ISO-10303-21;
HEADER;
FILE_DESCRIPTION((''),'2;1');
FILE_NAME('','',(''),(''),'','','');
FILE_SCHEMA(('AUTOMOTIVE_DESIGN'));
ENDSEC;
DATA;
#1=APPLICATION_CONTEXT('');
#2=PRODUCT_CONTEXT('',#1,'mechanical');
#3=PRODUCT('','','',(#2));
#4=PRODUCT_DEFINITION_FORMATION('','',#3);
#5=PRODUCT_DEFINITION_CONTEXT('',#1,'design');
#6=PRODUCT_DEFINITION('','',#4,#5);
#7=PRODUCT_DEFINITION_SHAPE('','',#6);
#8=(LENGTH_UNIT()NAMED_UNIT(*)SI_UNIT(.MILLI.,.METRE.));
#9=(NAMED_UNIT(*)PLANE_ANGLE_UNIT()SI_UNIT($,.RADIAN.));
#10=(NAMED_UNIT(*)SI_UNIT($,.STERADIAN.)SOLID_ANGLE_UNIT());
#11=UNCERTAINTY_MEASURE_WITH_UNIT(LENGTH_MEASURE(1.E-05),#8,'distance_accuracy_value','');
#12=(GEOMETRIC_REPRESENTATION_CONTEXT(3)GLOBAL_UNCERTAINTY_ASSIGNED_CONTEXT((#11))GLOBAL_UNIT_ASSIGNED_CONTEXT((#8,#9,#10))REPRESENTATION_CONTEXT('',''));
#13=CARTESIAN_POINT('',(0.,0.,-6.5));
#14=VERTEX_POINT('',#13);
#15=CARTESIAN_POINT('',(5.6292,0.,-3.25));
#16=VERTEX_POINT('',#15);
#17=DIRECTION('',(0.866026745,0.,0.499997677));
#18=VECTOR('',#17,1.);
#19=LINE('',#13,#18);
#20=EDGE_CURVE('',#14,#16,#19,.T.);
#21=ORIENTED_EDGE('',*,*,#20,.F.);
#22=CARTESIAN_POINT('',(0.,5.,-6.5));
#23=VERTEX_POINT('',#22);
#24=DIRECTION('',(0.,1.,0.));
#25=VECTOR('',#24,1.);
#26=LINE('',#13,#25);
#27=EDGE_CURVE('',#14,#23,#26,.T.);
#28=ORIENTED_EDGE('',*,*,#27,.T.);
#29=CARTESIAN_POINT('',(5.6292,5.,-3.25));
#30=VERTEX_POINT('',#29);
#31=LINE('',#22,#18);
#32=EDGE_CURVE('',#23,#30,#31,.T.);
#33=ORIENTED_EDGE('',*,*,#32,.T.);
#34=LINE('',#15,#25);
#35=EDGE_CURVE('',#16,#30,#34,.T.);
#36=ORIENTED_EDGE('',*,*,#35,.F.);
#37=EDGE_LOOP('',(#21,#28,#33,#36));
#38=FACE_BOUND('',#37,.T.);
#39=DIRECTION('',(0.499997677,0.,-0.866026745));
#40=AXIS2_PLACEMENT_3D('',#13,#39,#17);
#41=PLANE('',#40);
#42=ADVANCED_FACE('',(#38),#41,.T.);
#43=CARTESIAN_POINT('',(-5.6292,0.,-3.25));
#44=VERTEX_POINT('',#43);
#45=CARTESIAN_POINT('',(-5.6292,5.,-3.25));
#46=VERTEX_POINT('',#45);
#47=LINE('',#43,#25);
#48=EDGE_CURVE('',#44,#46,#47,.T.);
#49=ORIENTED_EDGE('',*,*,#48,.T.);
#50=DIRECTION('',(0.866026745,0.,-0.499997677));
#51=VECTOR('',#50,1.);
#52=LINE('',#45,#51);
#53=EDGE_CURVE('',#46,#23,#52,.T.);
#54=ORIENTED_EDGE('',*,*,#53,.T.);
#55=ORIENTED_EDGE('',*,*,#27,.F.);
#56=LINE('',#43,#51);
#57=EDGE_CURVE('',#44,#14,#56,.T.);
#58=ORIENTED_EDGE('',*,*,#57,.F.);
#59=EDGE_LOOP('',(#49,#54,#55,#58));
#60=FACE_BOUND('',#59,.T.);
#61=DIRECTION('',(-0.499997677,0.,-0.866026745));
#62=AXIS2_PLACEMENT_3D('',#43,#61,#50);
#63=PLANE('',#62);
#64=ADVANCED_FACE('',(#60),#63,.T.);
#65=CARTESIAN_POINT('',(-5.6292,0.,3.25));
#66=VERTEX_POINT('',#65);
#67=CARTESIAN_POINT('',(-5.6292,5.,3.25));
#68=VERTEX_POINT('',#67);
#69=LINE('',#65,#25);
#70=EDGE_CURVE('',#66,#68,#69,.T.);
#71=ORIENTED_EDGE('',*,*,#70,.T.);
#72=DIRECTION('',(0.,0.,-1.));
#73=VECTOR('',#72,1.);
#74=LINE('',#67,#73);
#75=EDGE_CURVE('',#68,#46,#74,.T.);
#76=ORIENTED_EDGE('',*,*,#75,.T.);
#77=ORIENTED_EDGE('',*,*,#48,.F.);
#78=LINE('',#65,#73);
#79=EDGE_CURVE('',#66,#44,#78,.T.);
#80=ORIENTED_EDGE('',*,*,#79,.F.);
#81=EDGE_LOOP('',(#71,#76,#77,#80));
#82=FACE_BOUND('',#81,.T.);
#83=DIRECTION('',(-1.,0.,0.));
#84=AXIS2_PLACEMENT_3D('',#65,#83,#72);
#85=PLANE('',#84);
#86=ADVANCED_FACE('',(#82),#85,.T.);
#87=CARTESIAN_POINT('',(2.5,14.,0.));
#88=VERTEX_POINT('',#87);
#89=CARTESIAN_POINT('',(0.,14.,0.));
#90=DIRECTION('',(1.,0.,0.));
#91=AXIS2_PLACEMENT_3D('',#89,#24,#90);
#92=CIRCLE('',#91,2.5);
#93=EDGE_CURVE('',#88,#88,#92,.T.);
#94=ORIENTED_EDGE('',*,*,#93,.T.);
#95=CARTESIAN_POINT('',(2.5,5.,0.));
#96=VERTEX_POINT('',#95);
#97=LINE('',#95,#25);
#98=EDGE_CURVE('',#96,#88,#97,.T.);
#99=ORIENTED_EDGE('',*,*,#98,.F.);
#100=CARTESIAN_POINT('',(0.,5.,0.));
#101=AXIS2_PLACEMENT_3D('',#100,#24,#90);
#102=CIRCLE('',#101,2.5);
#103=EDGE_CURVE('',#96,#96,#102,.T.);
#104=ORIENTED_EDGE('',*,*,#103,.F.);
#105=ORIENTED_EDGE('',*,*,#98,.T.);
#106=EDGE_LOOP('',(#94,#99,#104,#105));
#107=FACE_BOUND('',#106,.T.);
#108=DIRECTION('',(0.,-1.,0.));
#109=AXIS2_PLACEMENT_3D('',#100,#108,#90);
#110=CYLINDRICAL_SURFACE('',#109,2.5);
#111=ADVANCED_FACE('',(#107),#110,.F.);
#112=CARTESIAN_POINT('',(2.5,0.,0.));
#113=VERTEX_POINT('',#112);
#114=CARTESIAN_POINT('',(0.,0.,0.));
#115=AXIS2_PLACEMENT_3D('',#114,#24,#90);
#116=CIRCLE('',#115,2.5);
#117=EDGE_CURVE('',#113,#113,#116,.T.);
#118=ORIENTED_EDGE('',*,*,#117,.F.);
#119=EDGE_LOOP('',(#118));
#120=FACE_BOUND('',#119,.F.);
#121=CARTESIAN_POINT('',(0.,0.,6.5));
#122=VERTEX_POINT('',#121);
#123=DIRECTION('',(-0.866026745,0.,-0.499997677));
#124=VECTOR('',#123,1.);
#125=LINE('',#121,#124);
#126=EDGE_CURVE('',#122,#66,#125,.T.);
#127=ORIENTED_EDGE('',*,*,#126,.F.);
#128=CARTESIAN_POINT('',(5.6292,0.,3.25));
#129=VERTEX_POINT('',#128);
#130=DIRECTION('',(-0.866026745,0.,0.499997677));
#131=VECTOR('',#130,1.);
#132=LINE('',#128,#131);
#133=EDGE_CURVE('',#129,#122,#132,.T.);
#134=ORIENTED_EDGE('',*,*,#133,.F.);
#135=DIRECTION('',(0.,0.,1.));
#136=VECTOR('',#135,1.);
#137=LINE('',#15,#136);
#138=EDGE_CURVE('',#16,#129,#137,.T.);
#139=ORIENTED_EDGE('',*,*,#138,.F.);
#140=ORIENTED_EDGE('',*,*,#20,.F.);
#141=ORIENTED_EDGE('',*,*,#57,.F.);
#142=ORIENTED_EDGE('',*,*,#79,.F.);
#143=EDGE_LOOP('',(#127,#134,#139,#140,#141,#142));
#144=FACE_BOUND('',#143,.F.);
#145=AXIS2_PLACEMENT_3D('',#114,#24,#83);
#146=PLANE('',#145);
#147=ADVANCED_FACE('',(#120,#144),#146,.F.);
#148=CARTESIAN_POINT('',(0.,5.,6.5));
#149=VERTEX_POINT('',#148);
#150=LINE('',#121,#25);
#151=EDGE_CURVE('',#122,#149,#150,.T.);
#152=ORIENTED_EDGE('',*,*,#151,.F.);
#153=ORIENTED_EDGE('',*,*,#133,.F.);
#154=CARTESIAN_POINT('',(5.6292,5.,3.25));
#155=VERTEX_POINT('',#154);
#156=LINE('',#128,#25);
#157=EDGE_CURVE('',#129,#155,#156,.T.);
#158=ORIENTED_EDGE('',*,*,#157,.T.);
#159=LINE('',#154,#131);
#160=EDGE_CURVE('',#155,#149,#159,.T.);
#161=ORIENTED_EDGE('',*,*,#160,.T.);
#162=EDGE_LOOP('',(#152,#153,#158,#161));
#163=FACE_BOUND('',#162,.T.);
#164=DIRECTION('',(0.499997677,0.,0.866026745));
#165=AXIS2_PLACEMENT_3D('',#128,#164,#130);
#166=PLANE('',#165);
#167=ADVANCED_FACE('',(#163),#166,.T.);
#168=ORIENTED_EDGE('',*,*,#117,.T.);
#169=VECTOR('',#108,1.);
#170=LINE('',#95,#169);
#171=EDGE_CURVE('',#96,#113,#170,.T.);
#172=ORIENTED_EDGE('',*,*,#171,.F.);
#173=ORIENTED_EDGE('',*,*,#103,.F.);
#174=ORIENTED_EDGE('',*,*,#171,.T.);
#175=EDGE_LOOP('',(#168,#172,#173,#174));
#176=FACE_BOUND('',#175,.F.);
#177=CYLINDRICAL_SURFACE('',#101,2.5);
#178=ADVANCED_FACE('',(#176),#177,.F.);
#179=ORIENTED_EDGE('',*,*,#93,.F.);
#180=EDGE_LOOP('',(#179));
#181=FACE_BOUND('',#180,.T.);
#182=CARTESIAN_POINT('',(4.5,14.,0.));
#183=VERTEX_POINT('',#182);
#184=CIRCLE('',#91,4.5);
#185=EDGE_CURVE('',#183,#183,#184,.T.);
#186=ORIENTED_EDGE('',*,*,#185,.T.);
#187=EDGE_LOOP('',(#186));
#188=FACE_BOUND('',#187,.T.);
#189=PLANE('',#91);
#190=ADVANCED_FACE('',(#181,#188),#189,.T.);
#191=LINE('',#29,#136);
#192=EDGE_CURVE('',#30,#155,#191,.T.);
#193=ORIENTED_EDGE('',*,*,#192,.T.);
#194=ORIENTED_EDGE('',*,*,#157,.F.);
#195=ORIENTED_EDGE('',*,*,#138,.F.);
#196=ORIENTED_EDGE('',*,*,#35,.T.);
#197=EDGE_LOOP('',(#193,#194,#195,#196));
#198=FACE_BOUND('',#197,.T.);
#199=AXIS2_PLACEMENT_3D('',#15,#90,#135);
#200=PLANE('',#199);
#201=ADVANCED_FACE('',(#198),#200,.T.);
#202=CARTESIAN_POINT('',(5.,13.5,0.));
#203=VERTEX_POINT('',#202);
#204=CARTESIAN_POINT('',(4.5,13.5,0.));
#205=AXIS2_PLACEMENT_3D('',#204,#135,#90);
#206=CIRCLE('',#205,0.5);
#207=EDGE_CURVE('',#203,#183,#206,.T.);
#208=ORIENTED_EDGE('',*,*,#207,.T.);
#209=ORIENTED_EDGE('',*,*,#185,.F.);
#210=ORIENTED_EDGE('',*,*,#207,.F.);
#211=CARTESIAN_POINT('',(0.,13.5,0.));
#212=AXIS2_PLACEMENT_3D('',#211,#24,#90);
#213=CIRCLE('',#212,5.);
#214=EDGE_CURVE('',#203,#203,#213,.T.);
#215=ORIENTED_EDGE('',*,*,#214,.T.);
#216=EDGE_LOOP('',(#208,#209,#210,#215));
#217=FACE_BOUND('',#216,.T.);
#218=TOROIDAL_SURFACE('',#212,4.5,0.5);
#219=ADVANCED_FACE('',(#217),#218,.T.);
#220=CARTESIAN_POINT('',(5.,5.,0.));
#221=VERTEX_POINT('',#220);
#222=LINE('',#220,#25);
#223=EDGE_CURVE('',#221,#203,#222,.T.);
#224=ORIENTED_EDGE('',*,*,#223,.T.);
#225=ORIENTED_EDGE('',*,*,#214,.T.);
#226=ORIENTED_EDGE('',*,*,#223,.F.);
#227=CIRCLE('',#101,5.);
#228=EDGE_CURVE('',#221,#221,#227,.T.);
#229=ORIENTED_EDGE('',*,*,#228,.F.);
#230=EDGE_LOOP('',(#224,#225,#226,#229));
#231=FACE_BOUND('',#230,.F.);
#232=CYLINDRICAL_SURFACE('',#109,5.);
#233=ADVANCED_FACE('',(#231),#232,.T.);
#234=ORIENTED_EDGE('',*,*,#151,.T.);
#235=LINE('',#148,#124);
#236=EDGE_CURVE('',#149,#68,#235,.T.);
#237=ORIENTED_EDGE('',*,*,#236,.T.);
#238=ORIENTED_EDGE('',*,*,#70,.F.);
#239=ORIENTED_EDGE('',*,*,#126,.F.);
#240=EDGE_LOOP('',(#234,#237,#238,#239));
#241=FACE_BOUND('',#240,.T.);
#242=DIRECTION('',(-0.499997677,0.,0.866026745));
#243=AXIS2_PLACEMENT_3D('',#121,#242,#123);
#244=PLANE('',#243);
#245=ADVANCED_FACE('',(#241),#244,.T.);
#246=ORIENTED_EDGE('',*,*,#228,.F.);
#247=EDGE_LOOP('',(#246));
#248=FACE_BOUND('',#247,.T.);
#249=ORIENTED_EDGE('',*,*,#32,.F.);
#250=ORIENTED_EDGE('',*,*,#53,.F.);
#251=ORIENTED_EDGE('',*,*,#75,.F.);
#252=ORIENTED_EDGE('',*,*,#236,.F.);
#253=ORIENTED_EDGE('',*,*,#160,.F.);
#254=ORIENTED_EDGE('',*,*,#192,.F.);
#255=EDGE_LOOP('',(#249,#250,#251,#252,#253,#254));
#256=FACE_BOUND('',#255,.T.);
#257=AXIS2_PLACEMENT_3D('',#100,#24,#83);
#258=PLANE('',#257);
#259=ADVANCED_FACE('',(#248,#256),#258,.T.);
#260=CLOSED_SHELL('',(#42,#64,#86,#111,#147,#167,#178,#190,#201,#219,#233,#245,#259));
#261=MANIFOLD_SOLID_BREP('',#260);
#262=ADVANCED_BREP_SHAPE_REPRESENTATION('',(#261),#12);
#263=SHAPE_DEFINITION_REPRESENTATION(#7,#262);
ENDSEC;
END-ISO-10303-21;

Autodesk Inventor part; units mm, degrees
ref_plane "YZ Plane" through (0, 0, 0) normal (1, 0, 0) x (0, 1, 0)
ref_plane "XZ Plane" through (0, 0, 0) normal (0, 1, 0) x (-1, 0, 0)
ref_plane "XY Plane" through (0, 0, 0) normal (0, 0, 1) x (1, 0, 0)
sketch "Sketch1" plane through (0, 0, 0) normal (0, 1, 0) x (-1, 0, 0)
  line L0 (0, 0) -> (0, -6.5) construction
  line L1 (0, -6.5) -> (0, 6.5) construction
  line L2 (0, -6.5) -> (-5.6292, -3.25)
  line L3 (-5.6292, -3.25) -> (-5.6292, 3.25)
  line L4 (-5.6292, 3.25) -> (0, 6.5)
  line L5 (0, 6.5) -> (5.6292, 3.25)
  line L6 (5.6292, 3.25) -> (5.6292, -3.25)
  line L7 (5.6292, -3.25) -> (0, -6.5)
extrude "Extrusion1" add sketch "Sketch1" along normal blind 5
sketch "Sketch2" plane through (0, 5, 0) normal (0, 1, 0) x (1, 0, 0)
  circle A0 centre (0, 0) radius 2.5
  circle A1 centre (0, 0) radius 5
  dimension "d4" = 5
  dimension "d5" = 10
extrude "Extrusion2" add sketch "Sketch2" along normal blind 9
sketch "Sketch3" plane through (0, 5, 0) normal (0, 1, 0) x (1, 0, 0)
  circle A0 centre (0, 0) radius 2.5
extrude "Extrusion3" cut sketch "Sketch3" against normal through all
thread "Thread1" size "M10x1.5" class "6g" standard "ANSI Metric M Profile" full length
fillet "Fillet1" radius 0.5 1 edges at (-5, 14, 0)
properties part number "Premistoppa M10x1"
